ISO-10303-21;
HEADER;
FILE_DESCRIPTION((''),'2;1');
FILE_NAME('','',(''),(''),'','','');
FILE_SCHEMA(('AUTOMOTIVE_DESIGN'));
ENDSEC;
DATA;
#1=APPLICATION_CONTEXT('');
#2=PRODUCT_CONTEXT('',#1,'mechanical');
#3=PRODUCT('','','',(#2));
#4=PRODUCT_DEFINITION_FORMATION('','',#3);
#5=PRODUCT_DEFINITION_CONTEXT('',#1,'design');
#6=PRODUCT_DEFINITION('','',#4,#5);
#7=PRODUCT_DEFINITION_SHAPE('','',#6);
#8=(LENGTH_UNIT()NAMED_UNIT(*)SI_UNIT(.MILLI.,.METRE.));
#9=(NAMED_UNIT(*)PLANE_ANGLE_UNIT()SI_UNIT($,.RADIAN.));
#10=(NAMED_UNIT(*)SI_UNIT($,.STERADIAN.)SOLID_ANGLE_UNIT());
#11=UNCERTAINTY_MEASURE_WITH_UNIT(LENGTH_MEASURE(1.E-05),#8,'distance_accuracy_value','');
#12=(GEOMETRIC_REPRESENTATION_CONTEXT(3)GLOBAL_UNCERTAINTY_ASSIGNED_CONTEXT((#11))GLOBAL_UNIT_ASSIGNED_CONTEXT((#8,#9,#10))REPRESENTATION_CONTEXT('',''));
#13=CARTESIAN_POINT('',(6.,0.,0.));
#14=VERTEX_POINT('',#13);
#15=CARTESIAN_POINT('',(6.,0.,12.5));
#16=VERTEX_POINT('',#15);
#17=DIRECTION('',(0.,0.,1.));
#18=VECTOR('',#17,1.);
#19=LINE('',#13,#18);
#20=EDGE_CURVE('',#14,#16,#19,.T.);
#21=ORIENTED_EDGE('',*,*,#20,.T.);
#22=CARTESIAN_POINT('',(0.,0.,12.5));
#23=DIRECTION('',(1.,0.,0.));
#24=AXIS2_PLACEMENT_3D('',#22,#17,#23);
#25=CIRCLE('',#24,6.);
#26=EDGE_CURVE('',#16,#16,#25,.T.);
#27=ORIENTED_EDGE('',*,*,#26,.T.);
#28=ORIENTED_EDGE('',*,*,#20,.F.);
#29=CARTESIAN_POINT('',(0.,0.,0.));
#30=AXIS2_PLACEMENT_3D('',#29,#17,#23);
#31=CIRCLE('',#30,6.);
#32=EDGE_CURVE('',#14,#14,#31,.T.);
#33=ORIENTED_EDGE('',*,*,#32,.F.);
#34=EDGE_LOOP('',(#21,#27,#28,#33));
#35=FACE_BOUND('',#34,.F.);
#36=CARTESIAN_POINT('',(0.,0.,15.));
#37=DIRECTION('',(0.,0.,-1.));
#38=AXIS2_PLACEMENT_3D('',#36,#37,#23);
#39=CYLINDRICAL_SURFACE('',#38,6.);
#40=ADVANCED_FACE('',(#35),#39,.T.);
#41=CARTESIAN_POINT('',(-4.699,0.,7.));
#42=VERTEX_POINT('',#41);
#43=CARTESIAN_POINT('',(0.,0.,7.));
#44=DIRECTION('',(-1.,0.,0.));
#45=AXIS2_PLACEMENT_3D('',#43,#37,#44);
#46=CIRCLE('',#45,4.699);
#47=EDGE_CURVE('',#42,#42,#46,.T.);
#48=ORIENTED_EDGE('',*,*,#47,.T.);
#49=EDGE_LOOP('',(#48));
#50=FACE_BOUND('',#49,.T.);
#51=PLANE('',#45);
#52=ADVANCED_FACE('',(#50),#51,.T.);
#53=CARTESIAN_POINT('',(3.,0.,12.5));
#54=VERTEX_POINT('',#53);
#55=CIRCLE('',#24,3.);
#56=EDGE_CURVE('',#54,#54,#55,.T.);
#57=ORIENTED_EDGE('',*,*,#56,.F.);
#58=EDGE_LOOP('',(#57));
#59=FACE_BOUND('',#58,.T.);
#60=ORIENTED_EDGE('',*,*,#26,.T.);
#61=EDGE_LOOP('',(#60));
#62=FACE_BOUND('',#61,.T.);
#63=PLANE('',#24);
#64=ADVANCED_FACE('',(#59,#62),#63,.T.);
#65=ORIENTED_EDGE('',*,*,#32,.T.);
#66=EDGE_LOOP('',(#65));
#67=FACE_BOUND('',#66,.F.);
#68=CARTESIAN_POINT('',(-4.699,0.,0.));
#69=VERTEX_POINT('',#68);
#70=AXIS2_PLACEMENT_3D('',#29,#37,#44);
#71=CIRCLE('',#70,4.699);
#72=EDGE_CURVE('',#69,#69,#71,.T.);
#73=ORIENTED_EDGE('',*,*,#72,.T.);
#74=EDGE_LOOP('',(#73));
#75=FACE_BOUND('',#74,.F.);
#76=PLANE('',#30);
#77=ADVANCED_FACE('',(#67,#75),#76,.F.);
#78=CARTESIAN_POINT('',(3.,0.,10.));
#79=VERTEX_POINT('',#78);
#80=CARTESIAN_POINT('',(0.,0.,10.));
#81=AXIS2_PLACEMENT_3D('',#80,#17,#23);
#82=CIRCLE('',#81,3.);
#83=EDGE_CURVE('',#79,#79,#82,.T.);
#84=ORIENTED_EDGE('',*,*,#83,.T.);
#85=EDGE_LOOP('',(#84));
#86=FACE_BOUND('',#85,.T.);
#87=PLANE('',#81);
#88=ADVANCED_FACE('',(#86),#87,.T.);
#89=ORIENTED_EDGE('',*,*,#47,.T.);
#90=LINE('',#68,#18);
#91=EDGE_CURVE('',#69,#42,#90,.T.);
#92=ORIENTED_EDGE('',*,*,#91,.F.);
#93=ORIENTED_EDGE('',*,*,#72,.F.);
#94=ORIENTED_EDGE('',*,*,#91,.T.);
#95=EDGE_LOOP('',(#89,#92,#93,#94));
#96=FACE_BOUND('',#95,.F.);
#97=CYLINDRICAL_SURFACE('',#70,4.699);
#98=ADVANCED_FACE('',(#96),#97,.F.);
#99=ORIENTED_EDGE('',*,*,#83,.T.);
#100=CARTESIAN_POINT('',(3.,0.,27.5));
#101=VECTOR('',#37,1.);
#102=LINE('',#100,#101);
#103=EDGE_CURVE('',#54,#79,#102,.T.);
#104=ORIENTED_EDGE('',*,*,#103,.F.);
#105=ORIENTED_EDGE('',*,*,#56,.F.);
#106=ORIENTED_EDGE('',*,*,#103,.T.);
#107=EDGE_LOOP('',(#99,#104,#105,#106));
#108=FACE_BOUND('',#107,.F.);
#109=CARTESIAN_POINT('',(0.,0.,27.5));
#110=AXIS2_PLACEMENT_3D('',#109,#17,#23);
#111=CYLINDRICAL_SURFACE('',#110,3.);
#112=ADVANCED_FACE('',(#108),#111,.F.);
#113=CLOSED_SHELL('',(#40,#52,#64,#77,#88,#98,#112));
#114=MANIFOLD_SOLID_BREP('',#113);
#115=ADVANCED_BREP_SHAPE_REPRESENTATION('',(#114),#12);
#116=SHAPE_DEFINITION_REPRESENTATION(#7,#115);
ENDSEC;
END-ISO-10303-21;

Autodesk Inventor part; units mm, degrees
ref_plane "YZ Plane" through (0, 0, 0) normal (1, 0, 0) x (0, 1, 0)
ref_plane "XZ Plane" through (0, 0, 0) normal (0, 1, 0) x (-1, 0, 0)
ref_plane "XY Plane" through (0, 0, 0) normal (0, 0, 1) x (1, 0, 0)
sketch "Sketch1" plane through (0, 0, 0) normal (0, 0, 1) x (1, 0, 0)
  circle A0 centre (0, 0) radius 6
  dimension "d0" = 12
extrude "Extrusion1" add sketch "Sketch1" along normal blind 15
sketch "Sketch2" plane through (0, 0, 0) normal (0, 0, -1) x (-1, 0, 0)
  circle A0 centre (0, 0) radius 6 projected
  circle A1 centre (0, 0) radius 4.699
  dimension "d3" = 9.398
extrude "Extrusion2" cut sketch "Sketch2" against normal blind 7 contours A1
sketch "Sketch3" plane through (0, 0, 15) normal (0, 0, 1) x (1, 0, 0)
  circle A0 centre (0, 0) radius 6 projected
  circle A1 centre (0, 0) radius 3
  dimension "d6" = 6
extrude "Extrusion3" cut sketch "Sketch3" against normal blind 2.5 contours A1
sketch "Sketch4" plane through (0, 0, 15) normal (0, 0, 1) x (1, 0, 0)
  circle A0 centre (0, 0) radius 3 projected
  circle A1 centre (0, 0) radius 6 projected
extrude "Extrusion4" add sketch "Sketch4" along normal blind 15
sketch "Sketch5" plane through (0, 0, 12.5) normal (0, 0, 1) x (1, 0, 0)
  circle A0 centre (0, 0) radius 3 projected
extrude "Extrusion5" add sketch "Sketch5" along normal blind 15
sketch "Sketch6" plane through (0, 0, 30) normal (0, 0, 1) x (1, 0, 0)
  circle A0 centre (0, 0) radius 3 projected
  circle A1 centre (0, 0) radius 6 projected
extrude "Extrusion6" cut sketch "Sketch6" against normal blind 17.5
sketch "Sketch7" plane through (0, 0, 27.5) normal (0, 0, 1) x (1, 0, 0)
  circle A0 centre (0, 0) radius 3 projected
extrude "Extrusion7" cut sketch "Sketch7" against normal blind 17.5
properties part number "Shaft Cap" material "ABS Plastic"
